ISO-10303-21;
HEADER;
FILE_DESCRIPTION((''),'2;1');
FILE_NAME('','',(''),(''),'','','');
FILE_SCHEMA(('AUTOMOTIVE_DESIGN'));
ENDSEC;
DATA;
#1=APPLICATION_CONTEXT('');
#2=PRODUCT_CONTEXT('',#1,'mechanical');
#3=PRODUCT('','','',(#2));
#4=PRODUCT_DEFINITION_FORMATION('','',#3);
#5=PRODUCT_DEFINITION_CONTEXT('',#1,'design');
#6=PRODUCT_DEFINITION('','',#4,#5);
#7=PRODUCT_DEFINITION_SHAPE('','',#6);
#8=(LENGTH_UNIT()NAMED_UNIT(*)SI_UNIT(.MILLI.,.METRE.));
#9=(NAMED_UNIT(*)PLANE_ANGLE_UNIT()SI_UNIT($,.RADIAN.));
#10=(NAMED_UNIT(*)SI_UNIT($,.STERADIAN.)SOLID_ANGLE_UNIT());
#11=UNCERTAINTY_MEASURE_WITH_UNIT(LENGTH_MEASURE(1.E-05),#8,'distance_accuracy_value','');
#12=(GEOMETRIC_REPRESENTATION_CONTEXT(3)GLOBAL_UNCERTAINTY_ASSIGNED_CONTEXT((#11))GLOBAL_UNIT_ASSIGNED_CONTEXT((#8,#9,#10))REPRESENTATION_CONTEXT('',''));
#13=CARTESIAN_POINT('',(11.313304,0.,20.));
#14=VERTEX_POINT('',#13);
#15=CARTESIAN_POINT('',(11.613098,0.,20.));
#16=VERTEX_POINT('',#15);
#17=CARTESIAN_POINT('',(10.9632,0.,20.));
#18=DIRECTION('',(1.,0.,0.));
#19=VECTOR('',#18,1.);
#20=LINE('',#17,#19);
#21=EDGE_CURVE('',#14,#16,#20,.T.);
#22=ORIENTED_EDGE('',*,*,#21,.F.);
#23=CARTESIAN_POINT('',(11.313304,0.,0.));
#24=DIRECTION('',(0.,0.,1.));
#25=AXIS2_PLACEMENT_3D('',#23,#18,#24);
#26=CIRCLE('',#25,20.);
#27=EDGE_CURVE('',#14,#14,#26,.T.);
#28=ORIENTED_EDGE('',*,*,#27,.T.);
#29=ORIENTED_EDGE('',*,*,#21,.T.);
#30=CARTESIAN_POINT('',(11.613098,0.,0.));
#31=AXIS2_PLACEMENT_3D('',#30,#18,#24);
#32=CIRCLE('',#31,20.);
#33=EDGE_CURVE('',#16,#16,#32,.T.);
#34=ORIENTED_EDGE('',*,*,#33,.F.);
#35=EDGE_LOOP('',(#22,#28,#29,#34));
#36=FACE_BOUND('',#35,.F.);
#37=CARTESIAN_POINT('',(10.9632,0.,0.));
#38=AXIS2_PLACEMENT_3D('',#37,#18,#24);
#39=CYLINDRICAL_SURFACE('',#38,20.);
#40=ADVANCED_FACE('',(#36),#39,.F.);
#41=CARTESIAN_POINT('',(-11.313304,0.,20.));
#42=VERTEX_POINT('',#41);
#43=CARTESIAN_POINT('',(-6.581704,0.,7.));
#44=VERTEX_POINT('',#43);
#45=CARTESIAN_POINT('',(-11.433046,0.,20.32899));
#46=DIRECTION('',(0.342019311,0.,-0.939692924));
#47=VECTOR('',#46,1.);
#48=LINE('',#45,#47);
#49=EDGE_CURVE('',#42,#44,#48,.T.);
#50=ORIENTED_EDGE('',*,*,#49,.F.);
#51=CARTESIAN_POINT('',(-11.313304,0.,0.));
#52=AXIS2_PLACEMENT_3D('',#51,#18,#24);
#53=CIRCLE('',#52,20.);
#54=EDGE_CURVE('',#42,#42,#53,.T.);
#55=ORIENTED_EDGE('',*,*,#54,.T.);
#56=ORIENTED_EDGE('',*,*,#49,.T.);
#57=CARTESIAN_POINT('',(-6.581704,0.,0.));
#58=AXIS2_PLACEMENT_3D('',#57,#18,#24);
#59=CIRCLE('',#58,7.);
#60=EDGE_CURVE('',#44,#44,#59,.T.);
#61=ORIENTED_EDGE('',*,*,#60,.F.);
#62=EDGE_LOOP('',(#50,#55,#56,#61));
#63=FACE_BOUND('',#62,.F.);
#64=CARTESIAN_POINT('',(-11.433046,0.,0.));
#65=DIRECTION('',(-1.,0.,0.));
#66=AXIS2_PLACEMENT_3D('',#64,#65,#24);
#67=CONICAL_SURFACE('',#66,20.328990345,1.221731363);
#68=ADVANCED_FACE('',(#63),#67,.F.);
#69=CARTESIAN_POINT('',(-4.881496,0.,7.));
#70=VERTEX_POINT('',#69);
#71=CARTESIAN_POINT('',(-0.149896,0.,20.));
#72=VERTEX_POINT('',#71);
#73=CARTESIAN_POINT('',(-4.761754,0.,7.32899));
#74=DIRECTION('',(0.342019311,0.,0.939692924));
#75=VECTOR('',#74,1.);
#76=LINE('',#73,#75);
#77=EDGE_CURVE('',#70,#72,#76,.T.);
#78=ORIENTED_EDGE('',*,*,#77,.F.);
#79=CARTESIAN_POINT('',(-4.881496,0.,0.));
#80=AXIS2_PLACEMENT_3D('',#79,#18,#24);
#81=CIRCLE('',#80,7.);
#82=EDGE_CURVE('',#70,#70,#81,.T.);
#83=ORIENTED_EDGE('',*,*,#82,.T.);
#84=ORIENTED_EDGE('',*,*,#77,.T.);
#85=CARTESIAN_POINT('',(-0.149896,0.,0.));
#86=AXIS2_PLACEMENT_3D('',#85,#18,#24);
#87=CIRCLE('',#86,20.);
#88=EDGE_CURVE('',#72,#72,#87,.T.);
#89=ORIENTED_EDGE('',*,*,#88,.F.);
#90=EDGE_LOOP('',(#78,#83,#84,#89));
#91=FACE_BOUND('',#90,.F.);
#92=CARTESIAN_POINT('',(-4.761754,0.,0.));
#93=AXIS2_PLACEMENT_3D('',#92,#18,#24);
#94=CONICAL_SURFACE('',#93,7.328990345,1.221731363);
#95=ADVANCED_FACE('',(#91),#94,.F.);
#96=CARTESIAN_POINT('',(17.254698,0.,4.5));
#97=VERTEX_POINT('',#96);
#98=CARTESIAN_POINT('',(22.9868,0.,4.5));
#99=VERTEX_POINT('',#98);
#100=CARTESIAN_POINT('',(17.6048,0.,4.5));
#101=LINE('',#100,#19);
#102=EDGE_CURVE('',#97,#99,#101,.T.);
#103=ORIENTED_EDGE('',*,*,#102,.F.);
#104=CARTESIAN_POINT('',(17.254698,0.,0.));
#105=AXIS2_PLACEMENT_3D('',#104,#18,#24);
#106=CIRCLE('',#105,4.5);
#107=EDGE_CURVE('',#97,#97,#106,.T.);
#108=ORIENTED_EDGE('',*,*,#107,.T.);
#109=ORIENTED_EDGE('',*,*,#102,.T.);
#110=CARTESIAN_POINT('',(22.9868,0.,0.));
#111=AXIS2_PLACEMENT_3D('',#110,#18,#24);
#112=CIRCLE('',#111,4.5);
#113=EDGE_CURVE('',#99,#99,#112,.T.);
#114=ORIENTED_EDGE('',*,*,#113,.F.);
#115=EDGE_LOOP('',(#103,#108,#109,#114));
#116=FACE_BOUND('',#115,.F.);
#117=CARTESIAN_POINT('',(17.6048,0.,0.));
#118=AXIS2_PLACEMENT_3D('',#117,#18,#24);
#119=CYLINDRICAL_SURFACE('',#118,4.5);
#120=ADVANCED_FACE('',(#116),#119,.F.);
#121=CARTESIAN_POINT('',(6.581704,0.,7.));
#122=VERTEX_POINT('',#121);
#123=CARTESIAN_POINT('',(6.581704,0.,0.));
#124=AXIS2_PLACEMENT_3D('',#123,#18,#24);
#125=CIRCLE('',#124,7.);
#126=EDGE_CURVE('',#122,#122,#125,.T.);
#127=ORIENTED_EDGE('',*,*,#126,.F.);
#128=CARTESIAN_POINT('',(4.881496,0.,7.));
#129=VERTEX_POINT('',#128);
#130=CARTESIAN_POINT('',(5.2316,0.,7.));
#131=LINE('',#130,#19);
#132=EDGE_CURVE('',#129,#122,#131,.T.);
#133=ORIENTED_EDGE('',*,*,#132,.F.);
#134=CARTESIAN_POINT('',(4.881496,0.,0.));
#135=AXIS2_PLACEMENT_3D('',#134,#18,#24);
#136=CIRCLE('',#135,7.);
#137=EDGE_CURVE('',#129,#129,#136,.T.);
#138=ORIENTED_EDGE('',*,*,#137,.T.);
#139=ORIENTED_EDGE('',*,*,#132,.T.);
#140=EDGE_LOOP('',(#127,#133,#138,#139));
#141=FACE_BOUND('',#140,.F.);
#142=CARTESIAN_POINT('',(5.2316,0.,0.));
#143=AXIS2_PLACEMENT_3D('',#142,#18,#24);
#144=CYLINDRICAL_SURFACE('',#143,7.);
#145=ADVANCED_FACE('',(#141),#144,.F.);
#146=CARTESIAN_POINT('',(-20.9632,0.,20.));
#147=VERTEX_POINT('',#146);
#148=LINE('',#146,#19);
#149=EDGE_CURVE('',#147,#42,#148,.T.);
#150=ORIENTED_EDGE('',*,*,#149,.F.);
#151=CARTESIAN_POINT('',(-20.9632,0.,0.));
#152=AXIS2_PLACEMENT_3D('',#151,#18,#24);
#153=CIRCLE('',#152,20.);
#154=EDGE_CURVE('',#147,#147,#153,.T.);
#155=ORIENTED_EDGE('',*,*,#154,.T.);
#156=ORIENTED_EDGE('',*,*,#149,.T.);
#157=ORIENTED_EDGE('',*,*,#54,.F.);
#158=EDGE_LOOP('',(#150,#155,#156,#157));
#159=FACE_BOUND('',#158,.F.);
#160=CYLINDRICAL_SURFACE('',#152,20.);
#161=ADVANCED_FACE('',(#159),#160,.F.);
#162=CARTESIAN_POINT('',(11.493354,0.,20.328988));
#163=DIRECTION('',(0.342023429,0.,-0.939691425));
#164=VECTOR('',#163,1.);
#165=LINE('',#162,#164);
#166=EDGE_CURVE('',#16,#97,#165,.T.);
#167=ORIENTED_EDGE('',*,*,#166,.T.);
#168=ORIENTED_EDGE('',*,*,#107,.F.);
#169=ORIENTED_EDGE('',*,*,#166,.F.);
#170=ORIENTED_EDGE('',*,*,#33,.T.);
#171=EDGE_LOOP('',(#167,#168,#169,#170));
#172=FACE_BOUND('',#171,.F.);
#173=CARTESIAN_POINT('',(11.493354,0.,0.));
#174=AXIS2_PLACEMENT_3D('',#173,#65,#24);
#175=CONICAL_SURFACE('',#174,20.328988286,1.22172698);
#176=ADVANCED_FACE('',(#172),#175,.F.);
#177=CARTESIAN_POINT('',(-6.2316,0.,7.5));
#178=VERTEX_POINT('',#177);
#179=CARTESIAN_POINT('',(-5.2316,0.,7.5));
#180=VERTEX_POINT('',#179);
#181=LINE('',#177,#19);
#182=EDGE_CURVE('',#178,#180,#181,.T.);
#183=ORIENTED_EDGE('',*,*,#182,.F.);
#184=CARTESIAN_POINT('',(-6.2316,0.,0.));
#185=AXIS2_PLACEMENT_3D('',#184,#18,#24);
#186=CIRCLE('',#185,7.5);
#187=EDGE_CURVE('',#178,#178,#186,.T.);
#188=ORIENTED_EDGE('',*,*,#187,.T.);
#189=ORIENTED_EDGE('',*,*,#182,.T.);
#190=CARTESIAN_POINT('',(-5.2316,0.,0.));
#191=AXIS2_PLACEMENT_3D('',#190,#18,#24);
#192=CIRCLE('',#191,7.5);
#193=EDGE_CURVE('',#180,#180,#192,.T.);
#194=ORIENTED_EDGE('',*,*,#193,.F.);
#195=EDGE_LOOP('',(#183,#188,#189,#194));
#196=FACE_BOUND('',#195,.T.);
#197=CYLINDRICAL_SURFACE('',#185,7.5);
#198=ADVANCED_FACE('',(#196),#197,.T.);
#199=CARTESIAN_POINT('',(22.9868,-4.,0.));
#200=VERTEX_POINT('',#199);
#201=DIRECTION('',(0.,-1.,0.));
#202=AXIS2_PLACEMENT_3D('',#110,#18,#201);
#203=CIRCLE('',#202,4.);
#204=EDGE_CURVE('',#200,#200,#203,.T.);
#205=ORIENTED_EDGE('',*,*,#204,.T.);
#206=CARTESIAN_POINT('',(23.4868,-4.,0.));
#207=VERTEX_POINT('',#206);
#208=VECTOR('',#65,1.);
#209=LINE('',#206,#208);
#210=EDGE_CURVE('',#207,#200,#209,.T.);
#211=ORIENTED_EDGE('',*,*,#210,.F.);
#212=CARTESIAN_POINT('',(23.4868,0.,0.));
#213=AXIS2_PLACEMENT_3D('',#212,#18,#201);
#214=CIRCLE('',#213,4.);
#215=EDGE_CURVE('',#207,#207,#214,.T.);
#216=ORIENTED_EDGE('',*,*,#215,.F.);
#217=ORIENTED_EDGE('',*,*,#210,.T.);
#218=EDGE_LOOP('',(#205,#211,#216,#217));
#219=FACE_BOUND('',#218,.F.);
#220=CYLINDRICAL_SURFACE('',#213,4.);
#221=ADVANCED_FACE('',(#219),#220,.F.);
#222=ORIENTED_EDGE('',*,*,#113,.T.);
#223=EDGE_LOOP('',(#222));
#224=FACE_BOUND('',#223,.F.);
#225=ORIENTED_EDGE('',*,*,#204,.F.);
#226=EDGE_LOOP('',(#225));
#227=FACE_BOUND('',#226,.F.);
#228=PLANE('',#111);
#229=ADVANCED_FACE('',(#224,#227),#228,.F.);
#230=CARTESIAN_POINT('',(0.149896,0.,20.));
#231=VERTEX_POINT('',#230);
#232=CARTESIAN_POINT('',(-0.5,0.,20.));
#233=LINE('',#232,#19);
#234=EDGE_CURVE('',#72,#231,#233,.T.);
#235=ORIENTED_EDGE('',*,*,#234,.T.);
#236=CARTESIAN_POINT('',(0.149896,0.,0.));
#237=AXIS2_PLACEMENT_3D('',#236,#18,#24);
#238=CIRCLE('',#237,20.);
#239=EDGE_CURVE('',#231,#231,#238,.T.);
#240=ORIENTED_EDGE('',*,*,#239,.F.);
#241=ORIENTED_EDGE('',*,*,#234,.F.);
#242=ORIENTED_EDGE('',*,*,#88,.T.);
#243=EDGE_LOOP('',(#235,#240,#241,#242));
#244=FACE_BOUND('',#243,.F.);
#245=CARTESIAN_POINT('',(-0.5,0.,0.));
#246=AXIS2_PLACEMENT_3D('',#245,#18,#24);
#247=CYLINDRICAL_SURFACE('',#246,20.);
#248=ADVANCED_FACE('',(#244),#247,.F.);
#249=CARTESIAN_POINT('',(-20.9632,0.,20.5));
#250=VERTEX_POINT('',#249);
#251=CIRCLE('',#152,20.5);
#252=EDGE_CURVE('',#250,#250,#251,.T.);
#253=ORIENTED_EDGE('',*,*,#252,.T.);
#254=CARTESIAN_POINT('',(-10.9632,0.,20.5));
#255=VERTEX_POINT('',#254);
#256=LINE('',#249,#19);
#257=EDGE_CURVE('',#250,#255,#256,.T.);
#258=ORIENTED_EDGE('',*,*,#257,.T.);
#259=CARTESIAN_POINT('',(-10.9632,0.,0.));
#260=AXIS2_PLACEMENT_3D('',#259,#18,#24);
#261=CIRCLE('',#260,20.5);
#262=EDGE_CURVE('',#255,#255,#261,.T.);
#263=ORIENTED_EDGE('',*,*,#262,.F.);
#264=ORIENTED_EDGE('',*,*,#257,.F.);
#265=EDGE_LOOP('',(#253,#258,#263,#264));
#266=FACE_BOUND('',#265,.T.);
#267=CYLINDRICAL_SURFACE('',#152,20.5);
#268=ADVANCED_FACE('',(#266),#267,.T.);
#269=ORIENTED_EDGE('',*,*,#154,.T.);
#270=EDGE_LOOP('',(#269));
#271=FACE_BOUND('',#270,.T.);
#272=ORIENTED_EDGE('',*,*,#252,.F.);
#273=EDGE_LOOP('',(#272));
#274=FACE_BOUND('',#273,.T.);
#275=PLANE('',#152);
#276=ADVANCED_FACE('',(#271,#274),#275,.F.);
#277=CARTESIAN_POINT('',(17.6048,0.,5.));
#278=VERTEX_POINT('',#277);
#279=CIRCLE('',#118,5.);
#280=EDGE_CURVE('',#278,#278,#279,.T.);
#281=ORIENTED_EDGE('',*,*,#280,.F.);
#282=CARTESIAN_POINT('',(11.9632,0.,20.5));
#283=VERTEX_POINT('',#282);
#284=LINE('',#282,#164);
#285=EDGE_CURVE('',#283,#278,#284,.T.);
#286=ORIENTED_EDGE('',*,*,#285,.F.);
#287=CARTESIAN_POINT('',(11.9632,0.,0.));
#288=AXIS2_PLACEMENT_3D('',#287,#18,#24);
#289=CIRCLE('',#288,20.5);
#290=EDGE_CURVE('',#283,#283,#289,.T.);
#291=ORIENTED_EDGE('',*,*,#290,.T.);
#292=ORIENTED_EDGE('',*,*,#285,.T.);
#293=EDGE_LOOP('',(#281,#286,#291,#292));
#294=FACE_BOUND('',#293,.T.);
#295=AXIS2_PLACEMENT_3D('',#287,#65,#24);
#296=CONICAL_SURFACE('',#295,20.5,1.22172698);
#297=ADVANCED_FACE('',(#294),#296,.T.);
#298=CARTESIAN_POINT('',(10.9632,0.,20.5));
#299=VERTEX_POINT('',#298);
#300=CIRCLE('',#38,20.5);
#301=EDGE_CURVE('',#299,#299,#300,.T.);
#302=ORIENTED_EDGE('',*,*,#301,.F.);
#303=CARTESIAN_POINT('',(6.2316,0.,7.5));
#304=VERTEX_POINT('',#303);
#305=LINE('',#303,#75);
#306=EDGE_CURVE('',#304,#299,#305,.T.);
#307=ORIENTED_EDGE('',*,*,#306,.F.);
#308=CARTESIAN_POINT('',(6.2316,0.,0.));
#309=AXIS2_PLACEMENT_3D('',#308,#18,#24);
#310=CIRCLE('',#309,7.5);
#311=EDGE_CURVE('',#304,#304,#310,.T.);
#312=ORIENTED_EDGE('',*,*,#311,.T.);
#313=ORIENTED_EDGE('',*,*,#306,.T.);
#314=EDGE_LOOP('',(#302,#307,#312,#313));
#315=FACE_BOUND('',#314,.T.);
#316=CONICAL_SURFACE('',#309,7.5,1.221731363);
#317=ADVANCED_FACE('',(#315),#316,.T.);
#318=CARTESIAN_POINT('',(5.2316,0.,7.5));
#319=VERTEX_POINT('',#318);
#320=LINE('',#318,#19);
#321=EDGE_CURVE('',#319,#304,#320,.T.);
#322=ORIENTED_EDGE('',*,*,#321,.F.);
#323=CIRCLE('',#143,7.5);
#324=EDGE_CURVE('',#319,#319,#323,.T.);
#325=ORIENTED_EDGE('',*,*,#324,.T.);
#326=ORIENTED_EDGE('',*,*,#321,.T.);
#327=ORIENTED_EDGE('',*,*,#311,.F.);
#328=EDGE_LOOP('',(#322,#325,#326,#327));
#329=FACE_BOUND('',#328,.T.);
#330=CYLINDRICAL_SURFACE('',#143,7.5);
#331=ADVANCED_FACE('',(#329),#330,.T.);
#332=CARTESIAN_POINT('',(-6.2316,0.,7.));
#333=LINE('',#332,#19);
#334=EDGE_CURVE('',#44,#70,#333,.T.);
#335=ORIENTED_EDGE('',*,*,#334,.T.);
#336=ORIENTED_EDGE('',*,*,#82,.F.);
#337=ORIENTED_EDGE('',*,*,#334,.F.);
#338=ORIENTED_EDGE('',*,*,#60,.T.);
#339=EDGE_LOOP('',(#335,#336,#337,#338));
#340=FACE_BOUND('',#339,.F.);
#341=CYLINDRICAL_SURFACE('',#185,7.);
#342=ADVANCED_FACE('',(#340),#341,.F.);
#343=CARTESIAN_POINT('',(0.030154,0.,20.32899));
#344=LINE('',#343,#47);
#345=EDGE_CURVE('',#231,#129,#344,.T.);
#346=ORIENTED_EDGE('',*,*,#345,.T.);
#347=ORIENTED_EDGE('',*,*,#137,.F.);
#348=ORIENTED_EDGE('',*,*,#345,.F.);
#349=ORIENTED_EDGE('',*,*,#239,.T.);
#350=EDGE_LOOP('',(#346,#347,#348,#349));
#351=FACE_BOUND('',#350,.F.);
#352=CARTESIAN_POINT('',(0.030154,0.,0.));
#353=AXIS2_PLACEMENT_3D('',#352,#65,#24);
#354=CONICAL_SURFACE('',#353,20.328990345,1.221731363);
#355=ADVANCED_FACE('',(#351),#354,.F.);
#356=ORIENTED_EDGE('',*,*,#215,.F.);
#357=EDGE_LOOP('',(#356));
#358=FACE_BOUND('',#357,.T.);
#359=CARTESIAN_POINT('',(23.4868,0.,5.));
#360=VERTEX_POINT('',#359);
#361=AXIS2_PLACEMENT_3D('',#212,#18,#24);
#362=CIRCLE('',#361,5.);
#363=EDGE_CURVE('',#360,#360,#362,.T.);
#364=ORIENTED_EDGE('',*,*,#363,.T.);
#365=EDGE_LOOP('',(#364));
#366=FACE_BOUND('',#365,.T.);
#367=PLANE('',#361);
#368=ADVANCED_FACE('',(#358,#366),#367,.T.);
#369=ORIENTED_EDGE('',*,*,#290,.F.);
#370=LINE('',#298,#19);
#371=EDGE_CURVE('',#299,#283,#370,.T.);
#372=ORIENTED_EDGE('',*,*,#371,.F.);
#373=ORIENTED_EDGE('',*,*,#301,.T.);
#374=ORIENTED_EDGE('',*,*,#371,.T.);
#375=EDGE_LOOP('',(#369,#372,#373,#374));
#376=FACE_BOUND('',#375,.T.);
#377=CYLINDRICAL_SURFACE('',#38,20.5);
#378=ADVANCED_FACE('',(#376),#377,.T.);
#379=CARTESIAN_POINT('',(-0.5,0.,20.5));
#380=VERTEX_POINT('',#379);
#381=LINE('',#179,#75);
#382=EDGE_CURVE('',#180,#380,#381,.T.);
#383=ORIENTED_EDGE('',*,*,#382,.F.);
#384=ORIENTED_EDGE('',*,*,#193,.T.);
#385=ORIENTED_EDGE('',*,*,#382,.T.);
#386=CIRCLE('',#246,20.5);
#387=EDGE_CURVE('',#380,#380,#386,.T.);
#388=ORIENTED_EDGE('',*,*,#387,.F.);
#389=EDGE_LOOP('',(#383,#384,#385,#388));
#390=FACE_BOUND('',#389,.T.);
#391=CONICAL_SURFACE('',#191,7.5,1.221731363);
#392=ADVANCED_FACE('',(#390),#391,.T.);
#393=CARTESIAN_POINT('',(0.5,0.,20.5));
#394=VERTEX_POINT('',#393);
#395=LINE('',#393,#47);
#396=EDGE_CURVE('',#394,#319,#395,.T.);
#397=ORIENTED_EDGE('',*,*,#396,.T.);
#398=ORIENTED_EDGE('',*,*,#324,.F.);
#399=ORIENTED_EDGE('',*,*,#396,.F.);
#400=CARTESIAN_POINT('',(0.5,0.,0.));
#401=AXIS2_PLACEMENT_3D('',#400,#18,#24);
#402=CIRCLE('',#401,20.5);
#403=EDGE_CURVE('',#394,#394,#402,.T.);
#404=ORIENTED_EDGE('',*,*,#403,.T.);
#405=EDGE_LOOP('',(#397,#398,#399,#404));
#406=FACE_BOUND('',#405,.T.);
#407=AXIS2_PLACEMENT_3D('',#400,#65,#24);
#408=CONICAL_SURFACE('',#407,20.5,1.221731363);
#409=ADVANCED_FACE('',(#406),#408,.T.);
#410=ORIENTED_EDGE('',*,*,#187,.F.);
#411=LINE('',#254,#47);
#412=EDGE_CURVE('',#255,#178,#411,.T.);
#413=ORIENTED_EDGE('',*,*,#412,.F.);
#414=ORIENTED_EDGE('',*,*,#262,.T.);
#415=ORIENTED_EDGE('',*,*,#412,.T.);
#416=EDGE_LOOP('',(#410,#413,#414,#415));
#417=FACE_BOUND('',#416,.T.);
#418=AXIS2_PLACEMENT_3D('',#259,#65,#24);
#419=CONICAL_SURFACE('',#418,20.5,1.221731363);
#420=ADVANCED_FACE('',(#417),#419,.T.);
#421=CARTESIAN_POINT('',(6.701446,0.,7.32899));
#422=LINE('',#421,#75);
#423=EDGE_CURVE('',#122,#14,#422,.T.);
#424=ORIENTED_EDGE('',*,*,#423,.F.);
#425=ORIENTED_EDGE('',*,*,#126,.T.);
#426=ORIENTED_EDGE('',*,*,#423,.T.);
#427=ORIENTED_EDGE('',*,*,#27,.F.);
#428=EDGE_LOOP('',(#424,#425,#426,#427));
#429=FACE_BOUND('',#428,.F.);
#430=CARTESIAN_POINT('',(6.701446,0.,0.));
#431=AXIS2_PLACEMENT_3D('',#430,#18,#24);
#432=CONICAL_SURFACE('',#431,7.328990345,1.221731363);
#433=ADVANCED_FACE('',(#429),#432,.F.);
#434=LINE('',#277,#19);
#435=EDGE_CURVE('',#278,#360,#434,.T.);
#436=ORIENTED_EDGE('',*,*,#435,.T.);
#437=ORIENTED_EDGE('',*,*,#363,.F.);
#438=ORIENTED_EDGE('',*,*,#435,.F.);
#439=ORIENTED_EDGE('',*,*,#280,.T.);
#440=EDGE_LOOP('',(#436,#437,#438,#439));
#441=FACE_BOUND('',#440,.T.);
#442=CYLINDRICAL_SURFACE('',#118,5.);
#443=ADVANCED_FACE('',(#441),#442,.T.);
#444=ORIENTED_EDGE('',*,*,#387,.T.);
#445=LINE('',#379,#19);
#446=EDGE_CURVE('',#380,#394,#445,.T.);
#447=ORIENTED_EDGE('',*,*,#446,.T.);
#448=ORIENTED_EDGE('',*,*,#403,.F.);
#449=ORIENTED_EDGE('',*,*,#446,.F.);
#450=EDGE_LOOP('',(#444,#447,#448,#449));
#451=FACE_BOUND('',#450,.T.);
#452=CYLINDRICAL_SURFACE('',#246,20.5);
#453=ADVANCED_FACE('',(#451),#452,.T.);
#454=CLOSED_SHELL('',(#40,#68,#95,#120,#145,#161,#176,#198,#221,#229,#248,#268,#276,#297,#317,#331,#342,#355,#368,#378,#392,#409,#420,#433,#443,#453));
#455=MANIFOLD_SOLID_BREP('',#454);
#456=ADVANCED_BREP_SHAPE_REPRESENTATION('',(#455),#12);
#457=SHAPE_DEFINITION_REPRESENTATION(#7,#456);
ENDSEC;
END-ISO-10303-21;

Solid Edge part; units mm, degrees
sketch "Sketch1" plane through (10.8674, 0, 10.8674) normal (0, -1, 0) x (1, 0, 0)
  line L0 (-31.8306, -10.8674) -> (-31.8306, 9.6326)
  line L1 (-31.8306, 9.6326) -> (-21.8306, 9.6326)
  line L2 (-21.8306, 9.6326) -> (-17.099, -3.3674)
  line L3 (-17.099, -3.3674) -> (-16.099, -3.3674)
  line L4 (-16.099, -3.3674) -> (-11.3674, 9.6326)
  line L5 (-11.3674, 9.6326) -> (-10.3674, 9.6326)
  line L6 (-10.3674, 9.6326) -> (-5.6358, -3.3674)
  line L7 (-5.6358, -3.3674) -> (-4.6358, -3.3674)
  line L8 (-4.6358, -3.3674) -> (0.0958, 9.6326)
  line L9 (0.0958, 9.6326) -> (1.0958, 9.6326)
  line L10 (1.0958, 9.6326) -> (6.7374, -5.8674)
  line L11 (6.7374, -5.8674) -> (12.6194, -5.8674)
  line L12 (12.6194, -5.8674) -> (12.6194, -10.8674)
  dimension "D1" = 44.45
  dimension "D2" = 10
  dimension "D3" = 1
  dimension "D4" = 1
revolve "RevolvedProtrusion1" add sketch "Sketch1" angle 360 about axis through (-17.7633, 0, 0) along (1, 0, 0)
shell "Thinwall1" thickness 0.5 removed faces 1 at (-20.9632, 13.2567, 14.0767)
sketch "Sketch2" plane through (23.4868, 0, 0) normal (1, 0, 0) x (0, -1, 0)
  circle A0 centre (0, 0) radius 4
extrude "Cutout1" cut sketch "Sketch2" against normal through all
properties material "Steel"
